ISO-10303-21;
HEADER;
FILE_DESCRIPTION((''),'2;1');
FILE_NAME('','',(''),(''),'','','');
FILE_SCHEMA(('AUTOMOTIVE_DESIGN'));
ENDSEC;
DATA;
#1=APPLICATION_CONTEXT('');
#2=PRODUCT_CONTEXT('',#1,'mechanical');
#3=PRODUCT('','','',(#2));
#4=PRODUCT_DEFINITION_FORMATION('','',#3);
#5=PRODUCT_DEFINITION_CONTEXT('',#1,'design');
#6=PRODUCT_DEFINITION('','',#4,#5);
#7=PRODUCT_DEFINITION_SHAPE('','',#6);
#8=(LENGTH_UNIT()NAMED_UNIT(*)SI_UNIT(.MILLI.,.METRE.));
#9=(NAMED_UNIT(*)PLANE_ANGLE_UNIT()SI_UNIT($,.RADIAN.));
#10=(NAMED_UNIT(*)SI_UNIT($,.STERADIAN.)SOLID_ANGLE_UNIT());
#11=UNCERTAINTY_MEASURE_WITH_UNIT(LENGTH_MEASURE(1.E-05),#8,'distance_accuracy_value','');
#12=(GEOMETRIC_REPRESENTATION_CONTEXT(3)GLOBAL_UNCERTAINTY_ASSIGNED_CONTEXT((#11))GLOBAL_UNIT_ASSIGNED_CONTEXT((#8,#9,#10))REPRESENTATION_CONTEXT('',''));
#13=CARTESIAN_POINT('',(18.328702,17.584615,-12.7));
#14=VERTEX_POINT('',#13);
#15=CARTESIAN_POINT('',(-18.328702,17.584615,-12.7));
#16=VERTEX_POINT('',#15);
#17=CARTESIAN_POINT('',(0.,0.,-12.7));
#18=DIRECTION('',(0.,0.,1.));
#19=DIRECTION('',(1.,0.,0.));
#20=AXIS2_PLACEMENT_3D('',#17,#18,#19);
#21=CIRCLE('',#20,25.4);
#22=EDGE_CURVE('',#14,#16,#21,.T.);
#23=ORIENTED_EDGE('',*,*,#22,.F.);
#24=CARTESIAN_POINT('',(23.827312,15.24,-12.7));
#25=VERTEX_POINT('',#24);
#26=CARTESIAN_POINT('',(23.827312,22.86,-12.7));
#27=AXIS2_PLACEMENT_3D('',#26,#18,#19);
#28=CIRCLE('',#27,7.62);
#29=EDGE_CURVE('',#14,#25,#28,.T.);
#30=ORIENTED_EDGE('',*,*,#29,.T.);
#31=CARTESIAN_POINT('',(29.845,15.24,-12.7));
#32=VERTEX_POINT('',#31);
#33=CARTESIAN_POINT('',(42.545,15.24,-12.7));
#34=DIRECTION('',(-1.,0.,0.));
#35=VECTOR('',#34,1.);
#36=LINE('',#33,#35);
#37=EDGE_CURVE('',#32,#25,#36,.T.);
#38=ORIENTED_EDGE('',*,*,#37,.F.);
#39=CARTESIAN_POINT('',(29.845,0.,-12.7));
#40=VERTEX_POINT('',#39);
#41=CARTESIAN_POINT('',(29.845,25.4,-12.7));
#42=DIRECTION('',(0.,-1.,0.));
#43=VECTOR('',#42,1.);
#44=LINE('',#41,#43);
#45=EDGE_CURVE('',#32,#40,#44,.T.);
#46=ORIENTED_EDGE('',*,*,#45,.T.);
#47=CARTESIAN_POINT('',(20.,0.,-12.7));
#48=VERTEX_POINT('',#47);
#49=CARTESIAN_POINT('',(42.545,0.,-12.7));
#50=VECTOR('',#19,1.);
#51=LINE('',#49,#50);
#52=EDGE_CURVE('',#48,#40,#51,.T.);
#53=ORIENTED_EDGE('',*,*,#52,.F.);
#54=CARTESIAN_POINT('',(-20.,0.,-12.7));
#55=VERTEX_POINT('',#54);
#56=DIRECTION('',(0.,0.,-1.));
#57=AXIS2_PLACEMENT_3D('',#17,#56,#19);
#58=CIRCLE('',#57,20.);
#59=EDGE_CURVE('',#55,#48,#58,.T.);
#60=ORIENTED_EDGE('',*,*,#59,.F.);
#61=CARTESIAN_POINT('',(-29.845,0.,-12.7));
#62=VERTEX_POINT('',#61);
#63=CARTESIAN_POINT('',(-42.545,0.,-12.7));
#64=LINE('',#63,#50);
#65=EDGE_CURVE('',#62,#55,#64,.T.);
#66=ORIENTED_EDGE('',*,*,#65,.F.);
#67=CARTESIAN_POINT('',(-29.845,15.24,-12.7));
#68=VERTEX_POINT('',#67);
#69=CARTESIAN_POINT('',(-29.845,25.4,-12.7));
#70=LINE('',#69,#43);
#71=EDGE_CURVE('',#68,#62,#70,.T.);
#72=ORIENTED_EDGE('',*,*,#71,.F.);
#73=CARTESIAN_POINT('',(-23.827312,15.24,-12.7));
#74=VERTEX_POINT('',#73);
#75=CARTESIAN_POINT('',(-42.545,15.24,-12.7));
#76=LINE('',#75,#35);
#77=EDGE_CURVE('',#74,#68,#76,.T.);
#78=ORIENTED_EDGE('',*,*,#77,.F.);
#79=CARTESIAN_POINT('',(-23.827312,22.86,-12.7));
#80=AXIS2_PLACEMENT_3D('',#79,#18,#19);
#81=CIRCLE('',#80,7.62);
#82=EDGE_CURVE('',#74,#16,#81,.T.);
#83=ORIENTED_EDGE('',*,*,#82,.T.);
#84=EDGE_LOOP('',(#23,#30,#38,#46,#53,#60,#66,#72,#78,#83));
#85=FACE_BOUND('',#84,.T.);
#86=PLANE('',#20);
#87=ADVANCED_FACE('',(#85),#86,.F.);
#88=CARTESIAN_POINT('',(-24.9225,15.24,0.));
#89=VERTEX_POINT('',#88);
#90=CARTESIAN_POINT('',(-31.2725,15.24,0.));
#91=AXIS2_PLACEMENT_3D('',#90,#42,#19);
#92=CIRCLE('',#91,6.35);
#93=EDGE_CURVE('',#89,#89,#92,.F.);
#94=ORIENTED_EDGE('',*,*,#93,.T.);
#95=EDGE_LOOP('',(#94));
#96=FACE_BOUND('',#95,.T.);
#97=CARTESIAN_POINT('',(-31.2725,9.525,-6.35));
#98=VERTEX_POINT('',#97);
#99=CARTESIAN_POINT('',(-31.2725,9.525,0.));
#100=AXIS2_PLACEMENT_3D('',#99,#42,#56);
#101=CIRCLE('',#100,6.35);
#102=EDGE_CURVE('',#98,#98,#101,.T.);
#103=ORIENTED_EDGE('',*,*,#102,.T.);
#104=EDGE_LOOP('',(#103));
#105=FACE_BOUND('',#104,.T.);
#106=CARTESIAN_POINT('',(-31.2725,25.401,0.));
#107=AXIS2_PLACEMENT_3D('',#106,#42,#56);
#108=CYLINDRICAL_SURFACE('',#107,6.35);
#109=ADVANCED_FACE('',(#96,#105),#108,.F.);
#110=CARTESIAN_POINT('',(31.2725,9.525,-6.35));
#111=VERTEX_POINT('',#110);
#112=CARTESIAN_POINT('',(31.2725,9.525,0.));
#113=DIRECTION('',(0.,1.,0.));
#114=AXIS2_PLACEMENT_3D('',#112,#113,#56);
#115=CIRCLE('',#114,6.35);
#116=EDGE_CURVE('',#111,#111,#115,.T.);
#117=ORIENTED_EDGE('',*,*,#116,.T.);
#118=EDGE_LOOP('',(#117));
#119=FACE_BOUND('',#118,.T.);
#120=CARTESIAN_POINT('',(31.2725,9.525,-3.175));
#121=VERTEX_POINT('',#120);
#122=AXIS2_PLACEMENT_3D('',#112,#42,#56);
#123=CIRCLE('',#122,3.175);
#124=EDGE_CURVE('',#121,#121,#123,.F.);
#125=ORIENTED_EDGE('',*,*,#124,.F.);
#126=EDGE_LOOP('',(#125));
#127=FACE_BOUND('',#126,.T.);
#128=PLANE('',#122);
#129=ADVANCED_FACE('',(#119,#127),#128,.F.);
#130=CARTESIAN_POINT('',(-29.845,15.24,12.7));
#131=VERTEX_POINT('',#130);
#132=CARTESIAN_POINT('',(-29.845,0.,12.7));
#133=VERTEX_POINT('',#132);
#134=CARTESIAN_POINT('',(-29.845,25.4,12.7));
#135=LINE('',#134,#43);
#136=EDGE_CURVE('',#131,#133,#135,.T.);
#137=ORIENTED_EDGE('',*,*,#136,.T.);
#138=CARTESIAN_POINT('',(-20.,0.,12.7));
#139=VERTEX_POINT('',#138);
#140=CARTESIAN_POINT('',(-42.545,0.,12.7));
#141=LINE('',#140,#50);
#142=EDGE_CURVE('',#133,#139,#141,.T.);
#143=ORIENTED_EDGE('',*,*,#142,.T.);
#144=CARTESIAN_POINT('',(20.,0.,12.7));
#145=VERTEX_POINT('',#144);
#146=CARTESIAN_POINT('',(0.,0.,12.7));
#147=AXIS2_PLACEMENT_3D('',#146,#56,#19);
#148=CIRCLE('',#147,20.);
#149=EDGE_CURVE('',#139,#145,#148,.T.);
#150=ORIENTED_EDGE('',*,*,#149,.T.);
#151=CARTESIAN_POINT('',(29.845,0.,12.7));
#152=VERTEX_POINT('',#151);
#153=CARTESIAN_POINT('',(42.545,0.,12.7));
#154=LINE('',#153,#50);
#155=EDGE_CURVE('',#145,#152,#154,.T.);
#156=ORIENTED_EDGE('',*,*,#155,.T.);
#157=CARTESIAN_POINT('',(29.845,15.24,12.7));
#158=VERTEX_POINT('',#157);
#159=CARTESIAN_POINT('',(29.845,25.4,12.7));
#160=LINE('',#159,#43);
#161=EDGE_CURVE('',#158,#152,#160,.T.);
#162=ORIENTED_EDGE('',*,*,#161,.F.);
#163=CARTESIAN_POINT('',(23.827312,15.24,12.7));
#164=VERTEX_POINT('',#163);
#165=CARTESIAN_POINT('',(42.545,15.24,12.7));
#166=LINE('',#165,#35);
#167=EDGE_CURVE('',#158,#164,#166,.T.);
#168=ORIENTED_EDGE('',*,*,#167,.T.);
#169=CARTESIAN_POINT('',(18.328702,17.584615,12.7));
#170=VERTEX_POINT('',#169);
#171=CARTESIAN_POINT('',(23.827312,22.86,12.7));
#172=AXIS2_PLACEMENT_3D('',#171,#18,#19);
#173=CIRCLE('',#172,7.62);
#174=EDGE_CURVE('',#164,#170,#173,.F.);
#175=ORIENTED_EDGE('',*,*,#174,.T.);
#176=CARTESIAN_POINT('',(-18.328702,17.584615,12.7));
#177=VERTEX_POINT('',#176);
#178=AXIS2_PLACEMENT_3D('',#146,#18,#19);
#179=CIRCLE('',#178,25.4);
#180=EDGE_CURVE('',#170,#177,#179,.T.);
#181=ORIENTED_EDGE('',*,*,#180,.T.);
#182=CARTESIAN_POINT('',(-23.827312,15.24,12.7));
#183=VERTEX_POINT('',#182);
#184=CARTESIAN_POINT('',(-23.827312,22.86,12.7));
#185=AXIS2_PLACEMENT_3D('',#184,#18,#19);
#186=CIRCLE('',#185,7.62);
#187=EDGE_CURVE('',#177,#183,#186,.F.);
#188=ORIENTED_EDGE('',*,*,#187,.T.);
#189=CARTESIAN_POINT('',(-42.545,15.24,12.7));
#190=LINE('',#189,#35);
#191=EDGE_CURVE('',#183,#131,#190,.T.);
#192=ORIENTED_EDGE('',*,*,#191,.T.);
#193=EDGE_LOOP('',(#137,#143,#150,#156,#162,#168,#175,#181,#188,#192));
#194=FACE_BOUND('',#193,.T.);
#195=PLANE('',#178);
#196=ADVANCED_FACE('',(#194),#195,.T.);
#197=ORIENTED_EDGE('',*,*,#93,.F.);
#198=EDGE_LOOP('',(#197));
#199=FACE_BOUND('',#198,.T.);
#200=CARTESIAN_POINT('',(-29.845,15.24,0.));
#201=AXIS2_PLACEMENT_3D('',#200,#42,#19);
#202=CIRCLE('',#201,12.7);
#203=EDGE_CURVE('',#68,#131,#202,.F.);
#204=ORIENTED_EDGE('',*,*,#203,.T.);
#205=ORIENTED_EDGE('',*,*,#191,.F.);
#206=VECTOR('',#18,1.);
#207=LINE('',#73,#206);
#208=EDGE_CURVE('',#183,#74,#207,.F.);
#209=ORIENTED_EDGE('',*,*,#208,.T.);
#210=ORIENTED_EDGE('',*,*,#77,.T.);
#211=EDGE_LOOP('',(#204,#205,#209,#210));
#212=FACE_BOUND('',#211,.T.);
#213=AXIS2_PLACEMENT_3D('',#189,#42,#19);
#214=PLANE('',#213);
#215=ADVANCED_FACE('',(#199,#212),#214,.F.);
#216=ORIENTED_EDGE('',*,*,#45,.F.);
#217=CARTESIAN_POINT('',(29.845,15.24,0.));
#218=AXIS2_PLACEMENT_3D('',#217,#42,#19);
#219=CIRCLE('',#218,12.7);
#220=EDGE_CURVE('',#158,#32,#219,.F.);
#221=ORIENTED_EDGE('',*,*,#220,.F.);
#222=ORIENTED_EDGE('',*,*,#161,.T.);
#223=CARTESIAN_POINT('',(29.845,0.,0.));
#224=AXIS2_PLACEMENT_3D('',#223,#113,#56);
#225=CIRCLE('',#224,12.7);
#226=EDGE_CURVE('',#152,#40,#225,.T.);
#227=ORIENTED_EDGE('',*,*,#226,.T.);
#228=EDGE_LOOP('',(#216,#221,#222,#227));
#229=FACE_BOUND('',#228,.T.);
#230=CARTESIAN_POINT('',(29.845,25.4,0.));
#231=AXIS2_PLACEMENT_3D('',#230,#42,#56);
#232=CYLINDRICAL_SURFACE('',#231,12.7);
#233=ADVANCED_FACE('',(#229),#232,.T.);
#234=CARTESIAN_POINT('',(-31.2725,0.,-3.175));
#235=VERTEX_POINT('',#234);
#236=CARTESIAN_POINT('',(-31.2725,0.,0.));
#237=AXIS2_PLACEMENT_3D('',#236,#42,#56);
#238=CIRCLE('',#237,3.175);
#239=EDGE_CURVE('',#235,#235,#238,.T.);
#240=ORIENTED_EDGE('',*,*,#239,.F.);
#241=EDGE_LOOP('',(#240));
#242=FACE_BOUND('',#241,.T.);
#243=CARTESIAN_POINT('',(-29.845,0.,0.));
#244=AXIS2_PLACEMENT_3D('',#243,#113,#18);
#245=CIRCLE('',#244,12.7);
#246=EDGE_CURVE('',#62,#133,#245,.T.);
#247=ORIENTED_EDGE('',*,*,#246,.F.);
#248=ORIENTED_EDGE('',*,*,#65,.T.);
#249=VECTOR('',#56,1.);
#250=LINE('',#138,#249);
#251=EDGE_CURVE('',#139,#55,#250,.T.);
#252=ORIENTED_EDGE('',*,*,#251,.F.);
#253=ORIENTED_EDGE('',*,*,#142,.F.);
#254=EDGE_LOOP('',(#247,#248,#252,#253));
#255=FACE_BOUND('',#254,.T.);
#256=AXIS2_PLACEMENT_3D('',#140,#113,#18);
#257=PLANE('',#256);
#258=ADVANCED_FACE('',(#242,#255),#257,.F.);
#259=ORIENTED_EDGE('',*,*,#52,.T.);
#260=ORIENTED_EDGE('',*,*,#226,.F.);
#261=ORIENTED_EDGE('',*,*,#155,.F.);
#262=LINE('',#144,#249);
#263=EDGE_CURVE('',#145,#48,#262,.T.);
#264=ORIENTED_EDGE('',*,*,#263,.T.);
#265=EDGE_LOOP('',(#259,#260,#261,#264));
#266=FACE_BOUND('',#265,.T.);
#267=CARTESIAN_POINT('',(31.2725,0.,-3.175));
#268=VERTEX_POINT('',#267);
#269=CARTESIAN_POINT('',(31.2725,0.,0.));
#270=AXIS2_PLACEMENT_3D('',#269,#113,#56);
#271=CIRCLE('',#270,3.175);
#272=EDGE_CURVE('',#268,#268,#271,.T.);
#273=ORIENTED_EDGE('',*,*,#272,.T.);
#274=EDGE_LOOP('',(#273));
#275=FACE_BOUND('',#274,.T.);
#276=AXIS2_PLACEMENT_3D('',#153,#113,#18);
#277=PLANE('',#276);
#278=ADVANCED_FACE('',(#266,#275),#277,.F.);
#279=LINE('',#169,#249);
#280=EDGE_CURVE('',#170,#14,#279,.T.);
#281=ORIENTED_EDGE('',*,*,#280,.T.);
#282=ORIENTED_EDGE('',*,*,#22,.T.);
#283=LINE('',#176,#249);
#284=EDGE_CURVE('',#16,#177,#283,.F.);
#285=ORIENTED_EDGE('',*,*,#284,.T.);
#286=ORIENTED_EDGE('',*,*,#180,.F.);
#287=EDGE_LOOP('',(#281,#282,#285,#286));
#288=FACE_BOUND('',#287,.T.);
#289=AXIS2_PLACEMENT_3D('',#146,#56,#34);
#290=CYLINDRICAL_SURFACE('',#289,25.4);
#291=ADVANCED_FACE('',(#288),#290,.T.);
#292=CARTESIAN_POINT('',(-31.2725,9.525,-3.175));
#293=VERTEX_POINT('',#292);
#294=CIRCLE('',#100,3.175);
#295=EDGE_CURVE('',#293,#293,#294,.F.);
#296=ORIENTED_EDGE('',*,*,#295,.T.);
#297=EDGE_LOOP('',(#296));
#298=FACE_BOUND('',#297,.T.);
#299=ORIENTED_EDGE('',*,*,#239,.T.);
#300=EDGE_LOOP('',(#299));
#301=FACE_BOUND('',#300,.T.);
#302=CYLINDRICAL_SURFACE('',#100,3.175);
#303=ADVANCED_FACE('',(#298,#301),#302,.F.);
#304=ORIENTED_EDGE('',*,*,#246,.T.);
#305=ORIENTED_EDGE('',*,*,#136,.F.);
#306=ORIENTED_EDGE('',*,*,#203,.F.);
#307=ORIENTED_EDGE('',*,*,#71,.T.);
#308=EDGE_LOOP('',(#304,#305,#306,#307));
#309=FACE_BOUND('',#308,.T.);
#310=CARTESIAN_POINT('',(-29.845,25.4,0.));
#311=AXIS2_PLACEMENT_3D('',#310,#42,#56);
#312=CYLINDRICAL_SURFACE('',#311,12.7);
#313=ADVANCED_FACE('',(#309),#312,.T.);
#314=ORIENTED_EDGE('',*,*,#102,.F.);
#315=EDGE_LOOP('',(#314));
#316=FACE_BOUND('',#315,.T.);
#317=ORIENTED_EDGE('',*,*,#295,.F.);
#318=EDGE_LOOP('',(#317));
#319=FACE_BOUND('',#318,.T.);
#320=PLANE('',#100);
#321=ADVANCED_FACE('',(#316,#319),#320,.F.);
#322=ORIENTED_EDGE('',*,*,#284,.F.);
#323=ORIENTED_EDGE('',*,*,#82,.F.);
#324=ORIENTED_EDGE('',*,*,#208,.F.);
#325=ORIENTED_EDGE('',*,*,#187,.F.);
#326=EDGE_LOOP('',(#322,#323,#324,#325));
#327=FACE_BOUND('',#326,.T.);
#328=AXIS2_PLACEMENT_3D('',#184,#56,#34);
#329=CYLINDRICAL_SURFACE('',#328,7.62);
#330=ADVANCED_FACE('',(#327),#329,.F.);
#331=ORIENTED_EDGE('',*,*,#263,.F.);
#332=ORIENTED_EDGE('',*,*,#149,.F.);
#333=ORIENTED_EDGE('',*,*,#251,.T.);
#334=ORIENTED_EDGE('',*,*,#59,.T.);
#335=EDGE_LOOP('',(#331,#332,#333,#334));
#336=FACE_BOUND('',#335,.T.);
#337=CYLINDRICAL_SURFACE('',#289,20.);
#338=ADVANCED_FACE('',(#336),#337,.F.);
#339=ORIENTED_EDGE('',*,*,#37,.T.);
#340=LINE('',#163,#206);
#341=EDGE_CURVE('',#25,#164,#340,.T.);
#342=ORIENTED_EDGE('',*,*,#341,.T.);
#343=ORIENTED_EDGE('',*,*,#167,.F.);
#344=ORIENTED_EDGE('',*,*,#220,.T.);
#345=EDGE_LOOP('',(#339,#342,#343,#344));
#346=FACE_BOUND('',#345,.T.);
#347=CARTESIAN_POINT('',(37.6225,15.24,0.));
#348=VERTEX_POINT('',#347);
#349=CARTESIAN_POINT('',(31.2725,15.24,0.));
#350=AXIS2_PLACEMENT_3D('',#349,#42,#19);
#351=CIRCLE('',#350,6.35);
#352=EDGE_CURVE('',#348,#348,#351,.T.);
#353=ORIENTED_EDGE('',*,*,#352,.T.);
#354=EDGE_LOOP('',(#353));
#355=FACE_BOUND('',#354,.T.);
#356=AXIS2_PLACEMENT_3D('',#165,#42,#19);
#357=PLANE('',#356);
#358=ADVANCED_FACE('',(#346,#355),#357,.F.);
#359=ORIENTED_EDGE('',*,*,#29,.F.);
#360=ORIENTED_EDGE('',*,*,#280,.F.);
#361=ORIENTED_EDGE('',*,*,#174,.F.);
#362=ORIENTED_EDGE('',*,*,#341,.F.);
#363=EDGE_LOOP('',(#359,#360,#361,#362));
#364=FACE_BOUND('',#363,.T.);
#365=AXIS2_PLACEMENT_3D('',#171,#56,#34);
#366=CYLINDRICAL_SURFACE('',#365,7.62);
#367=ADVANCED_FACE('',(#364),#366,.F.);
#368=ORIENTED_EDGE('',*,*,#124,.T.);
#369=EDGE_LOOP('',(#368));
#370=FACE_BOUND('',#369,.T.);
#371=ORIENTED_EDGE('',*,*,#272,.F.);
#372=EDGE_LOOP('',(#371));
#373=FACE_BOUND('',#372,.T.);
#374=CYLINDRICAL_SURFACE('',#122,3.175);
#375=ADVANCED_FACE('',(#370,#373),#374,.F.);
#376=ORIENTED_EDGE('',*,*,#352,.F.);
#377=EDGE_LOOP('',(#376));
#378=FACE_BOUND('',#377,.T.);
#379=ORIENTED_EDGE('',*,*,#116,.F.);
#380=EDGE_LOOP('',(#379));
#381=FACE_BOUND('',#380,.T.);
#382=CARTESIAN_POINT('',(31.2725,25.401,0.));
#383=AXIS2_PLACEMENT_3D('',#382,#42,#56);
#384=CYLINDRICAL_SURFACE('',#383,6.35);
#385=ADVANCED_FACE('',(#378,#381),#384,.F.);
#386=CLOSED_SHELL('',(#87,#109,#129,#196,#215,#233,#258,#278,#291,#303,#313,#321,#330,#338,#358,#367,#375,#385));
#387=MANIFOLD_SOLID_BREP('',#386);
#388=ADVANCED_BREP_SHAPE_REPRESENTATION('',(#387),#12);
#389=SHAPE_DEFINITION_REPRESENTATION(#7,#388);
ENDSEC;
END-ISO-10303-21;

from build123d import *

# Parameters (mm, degrees)
BOSS_EXTRUDE1_DEPTH = 12.7
FILLET1_R           = 7.62
FILLET2_R           = 7.62
SKETCH2_R           = 3.175
CUT_EXTRUDE1_DEPTH  = 9.525
SKETCH3_R           = 6.35
CUT_EXTRUDE2_DEPTH  = 5.715
SKETCH4_OUTSIDE_W   = 105.562
SKETCH4_OUTSIDE_H   = 45.872
CUT_EXTRUDE3_DEPTH  = 26.4


with BuildPart() as part:
    # Sketch1 → Boss-Extrude1 (new body, symmetric)
    with BuildSketch(Plane.XY):
        with BuildLine():
            Line((-42.545, 0), (-42.545, 15.24))
            Line((-42.545, 15.24), (-20.32, 15.24))
            ThreePointArc((-20.32, 15.24), (0, 25.4), (20.32, 15.24))
            Line((20.32, 15.24), (42.545, 15.24))
            Line((42.545, 15.24), (42.545, 0))
            Line((42.545, 0), (20, 0))
            ThreePointArc((20, 0), (0, 20), (-20, 0))
            Line((-20, 0), (-42.545, 0))
        make_face()
    extrude(amount=BOSS_EXTRUDE1_DEPTH, both=True)

    # Fillet1
    fillet1_edges = [part.edges().sort_by_distance(p)[0] for p in [
        (20.32, 15.24, 0),
    ]]
    fillet(fillet1_edges, radius=FILLET1_R)

    # Fillet2
    fillet2_edges = [part.edges().sort_by_distance(p)[0] for p in [
        (-20.32, 15.24, 0),
    ]]
    fillet(fillet2_edges, radius=FILLET2_R)

    # Sketch2 → Cut-Extrude1 (cut)
    with BuildSketch(Plane.XZ):
        with Locations((-31.2725, 0)):
            Circle(SKETCH2_R)
    cut_extrude1 = extrude(amount=-CUT_EXTRUDE1_DEPTH, mode=Mode.SUBTRACT)

    # Sketch3 → Cut-Extrude2 (cut)
    with BuildSketch(Plane.XZ.offset(-9.525)):
        with Locations((-31.2725, 0)):
            Circle(SKETCH3_R)
    cut_extrude2 = extrude(amount=-CUT_EXTRUDE2_DEPTH, mode=Mode.SUBTRACT)

    # Mirror1: Cut-Extrude1, Cut-Extrude2 across plane
    add(cut_extrude1.mirror(Plane(origin=(0, 0, 0), x_dir=(0, 0, 1), z_dir=(1, 0, 0))), mode=Mode.SUBTRACT)
    add(cut_extrude2.mirror(Plane(origin=(0, 0, 0), x_dir=(0, 0, 1), z_dir=(1, 0, 0))), mode=Mode.SUBTRACT)

    # Sketch4 outside → Cut-Extrude3 (cut, through all)
    with BuildSketch(Plane(origin=(0, 0, 0), x_dir=(1, 0, 0), z_dir=(0, 1, 0))):
        Rectangle(SKETCH4_OUTSIDE_W, SKETCH4_OUTSIDE_H)
        with BuildLine():
            Line((-29.845, -12.7), (29.845, -12.7))
            ThreePointArc((29.845, -12.7), (42.545, 0), (29.845, 12.7))
            Line((29.845, 12.7), (-29.845, 12.7))
            ThreePointArc((-29.845, 12.7), (-42.545, 0), (-29.845, -12.7))
        make_face(mode=Mode.SUBTRACT)
    extrude(amount=CUT_EXTRUDE3_DEPTH, mode=Mode.SUBTRACT)


solid = part.part
